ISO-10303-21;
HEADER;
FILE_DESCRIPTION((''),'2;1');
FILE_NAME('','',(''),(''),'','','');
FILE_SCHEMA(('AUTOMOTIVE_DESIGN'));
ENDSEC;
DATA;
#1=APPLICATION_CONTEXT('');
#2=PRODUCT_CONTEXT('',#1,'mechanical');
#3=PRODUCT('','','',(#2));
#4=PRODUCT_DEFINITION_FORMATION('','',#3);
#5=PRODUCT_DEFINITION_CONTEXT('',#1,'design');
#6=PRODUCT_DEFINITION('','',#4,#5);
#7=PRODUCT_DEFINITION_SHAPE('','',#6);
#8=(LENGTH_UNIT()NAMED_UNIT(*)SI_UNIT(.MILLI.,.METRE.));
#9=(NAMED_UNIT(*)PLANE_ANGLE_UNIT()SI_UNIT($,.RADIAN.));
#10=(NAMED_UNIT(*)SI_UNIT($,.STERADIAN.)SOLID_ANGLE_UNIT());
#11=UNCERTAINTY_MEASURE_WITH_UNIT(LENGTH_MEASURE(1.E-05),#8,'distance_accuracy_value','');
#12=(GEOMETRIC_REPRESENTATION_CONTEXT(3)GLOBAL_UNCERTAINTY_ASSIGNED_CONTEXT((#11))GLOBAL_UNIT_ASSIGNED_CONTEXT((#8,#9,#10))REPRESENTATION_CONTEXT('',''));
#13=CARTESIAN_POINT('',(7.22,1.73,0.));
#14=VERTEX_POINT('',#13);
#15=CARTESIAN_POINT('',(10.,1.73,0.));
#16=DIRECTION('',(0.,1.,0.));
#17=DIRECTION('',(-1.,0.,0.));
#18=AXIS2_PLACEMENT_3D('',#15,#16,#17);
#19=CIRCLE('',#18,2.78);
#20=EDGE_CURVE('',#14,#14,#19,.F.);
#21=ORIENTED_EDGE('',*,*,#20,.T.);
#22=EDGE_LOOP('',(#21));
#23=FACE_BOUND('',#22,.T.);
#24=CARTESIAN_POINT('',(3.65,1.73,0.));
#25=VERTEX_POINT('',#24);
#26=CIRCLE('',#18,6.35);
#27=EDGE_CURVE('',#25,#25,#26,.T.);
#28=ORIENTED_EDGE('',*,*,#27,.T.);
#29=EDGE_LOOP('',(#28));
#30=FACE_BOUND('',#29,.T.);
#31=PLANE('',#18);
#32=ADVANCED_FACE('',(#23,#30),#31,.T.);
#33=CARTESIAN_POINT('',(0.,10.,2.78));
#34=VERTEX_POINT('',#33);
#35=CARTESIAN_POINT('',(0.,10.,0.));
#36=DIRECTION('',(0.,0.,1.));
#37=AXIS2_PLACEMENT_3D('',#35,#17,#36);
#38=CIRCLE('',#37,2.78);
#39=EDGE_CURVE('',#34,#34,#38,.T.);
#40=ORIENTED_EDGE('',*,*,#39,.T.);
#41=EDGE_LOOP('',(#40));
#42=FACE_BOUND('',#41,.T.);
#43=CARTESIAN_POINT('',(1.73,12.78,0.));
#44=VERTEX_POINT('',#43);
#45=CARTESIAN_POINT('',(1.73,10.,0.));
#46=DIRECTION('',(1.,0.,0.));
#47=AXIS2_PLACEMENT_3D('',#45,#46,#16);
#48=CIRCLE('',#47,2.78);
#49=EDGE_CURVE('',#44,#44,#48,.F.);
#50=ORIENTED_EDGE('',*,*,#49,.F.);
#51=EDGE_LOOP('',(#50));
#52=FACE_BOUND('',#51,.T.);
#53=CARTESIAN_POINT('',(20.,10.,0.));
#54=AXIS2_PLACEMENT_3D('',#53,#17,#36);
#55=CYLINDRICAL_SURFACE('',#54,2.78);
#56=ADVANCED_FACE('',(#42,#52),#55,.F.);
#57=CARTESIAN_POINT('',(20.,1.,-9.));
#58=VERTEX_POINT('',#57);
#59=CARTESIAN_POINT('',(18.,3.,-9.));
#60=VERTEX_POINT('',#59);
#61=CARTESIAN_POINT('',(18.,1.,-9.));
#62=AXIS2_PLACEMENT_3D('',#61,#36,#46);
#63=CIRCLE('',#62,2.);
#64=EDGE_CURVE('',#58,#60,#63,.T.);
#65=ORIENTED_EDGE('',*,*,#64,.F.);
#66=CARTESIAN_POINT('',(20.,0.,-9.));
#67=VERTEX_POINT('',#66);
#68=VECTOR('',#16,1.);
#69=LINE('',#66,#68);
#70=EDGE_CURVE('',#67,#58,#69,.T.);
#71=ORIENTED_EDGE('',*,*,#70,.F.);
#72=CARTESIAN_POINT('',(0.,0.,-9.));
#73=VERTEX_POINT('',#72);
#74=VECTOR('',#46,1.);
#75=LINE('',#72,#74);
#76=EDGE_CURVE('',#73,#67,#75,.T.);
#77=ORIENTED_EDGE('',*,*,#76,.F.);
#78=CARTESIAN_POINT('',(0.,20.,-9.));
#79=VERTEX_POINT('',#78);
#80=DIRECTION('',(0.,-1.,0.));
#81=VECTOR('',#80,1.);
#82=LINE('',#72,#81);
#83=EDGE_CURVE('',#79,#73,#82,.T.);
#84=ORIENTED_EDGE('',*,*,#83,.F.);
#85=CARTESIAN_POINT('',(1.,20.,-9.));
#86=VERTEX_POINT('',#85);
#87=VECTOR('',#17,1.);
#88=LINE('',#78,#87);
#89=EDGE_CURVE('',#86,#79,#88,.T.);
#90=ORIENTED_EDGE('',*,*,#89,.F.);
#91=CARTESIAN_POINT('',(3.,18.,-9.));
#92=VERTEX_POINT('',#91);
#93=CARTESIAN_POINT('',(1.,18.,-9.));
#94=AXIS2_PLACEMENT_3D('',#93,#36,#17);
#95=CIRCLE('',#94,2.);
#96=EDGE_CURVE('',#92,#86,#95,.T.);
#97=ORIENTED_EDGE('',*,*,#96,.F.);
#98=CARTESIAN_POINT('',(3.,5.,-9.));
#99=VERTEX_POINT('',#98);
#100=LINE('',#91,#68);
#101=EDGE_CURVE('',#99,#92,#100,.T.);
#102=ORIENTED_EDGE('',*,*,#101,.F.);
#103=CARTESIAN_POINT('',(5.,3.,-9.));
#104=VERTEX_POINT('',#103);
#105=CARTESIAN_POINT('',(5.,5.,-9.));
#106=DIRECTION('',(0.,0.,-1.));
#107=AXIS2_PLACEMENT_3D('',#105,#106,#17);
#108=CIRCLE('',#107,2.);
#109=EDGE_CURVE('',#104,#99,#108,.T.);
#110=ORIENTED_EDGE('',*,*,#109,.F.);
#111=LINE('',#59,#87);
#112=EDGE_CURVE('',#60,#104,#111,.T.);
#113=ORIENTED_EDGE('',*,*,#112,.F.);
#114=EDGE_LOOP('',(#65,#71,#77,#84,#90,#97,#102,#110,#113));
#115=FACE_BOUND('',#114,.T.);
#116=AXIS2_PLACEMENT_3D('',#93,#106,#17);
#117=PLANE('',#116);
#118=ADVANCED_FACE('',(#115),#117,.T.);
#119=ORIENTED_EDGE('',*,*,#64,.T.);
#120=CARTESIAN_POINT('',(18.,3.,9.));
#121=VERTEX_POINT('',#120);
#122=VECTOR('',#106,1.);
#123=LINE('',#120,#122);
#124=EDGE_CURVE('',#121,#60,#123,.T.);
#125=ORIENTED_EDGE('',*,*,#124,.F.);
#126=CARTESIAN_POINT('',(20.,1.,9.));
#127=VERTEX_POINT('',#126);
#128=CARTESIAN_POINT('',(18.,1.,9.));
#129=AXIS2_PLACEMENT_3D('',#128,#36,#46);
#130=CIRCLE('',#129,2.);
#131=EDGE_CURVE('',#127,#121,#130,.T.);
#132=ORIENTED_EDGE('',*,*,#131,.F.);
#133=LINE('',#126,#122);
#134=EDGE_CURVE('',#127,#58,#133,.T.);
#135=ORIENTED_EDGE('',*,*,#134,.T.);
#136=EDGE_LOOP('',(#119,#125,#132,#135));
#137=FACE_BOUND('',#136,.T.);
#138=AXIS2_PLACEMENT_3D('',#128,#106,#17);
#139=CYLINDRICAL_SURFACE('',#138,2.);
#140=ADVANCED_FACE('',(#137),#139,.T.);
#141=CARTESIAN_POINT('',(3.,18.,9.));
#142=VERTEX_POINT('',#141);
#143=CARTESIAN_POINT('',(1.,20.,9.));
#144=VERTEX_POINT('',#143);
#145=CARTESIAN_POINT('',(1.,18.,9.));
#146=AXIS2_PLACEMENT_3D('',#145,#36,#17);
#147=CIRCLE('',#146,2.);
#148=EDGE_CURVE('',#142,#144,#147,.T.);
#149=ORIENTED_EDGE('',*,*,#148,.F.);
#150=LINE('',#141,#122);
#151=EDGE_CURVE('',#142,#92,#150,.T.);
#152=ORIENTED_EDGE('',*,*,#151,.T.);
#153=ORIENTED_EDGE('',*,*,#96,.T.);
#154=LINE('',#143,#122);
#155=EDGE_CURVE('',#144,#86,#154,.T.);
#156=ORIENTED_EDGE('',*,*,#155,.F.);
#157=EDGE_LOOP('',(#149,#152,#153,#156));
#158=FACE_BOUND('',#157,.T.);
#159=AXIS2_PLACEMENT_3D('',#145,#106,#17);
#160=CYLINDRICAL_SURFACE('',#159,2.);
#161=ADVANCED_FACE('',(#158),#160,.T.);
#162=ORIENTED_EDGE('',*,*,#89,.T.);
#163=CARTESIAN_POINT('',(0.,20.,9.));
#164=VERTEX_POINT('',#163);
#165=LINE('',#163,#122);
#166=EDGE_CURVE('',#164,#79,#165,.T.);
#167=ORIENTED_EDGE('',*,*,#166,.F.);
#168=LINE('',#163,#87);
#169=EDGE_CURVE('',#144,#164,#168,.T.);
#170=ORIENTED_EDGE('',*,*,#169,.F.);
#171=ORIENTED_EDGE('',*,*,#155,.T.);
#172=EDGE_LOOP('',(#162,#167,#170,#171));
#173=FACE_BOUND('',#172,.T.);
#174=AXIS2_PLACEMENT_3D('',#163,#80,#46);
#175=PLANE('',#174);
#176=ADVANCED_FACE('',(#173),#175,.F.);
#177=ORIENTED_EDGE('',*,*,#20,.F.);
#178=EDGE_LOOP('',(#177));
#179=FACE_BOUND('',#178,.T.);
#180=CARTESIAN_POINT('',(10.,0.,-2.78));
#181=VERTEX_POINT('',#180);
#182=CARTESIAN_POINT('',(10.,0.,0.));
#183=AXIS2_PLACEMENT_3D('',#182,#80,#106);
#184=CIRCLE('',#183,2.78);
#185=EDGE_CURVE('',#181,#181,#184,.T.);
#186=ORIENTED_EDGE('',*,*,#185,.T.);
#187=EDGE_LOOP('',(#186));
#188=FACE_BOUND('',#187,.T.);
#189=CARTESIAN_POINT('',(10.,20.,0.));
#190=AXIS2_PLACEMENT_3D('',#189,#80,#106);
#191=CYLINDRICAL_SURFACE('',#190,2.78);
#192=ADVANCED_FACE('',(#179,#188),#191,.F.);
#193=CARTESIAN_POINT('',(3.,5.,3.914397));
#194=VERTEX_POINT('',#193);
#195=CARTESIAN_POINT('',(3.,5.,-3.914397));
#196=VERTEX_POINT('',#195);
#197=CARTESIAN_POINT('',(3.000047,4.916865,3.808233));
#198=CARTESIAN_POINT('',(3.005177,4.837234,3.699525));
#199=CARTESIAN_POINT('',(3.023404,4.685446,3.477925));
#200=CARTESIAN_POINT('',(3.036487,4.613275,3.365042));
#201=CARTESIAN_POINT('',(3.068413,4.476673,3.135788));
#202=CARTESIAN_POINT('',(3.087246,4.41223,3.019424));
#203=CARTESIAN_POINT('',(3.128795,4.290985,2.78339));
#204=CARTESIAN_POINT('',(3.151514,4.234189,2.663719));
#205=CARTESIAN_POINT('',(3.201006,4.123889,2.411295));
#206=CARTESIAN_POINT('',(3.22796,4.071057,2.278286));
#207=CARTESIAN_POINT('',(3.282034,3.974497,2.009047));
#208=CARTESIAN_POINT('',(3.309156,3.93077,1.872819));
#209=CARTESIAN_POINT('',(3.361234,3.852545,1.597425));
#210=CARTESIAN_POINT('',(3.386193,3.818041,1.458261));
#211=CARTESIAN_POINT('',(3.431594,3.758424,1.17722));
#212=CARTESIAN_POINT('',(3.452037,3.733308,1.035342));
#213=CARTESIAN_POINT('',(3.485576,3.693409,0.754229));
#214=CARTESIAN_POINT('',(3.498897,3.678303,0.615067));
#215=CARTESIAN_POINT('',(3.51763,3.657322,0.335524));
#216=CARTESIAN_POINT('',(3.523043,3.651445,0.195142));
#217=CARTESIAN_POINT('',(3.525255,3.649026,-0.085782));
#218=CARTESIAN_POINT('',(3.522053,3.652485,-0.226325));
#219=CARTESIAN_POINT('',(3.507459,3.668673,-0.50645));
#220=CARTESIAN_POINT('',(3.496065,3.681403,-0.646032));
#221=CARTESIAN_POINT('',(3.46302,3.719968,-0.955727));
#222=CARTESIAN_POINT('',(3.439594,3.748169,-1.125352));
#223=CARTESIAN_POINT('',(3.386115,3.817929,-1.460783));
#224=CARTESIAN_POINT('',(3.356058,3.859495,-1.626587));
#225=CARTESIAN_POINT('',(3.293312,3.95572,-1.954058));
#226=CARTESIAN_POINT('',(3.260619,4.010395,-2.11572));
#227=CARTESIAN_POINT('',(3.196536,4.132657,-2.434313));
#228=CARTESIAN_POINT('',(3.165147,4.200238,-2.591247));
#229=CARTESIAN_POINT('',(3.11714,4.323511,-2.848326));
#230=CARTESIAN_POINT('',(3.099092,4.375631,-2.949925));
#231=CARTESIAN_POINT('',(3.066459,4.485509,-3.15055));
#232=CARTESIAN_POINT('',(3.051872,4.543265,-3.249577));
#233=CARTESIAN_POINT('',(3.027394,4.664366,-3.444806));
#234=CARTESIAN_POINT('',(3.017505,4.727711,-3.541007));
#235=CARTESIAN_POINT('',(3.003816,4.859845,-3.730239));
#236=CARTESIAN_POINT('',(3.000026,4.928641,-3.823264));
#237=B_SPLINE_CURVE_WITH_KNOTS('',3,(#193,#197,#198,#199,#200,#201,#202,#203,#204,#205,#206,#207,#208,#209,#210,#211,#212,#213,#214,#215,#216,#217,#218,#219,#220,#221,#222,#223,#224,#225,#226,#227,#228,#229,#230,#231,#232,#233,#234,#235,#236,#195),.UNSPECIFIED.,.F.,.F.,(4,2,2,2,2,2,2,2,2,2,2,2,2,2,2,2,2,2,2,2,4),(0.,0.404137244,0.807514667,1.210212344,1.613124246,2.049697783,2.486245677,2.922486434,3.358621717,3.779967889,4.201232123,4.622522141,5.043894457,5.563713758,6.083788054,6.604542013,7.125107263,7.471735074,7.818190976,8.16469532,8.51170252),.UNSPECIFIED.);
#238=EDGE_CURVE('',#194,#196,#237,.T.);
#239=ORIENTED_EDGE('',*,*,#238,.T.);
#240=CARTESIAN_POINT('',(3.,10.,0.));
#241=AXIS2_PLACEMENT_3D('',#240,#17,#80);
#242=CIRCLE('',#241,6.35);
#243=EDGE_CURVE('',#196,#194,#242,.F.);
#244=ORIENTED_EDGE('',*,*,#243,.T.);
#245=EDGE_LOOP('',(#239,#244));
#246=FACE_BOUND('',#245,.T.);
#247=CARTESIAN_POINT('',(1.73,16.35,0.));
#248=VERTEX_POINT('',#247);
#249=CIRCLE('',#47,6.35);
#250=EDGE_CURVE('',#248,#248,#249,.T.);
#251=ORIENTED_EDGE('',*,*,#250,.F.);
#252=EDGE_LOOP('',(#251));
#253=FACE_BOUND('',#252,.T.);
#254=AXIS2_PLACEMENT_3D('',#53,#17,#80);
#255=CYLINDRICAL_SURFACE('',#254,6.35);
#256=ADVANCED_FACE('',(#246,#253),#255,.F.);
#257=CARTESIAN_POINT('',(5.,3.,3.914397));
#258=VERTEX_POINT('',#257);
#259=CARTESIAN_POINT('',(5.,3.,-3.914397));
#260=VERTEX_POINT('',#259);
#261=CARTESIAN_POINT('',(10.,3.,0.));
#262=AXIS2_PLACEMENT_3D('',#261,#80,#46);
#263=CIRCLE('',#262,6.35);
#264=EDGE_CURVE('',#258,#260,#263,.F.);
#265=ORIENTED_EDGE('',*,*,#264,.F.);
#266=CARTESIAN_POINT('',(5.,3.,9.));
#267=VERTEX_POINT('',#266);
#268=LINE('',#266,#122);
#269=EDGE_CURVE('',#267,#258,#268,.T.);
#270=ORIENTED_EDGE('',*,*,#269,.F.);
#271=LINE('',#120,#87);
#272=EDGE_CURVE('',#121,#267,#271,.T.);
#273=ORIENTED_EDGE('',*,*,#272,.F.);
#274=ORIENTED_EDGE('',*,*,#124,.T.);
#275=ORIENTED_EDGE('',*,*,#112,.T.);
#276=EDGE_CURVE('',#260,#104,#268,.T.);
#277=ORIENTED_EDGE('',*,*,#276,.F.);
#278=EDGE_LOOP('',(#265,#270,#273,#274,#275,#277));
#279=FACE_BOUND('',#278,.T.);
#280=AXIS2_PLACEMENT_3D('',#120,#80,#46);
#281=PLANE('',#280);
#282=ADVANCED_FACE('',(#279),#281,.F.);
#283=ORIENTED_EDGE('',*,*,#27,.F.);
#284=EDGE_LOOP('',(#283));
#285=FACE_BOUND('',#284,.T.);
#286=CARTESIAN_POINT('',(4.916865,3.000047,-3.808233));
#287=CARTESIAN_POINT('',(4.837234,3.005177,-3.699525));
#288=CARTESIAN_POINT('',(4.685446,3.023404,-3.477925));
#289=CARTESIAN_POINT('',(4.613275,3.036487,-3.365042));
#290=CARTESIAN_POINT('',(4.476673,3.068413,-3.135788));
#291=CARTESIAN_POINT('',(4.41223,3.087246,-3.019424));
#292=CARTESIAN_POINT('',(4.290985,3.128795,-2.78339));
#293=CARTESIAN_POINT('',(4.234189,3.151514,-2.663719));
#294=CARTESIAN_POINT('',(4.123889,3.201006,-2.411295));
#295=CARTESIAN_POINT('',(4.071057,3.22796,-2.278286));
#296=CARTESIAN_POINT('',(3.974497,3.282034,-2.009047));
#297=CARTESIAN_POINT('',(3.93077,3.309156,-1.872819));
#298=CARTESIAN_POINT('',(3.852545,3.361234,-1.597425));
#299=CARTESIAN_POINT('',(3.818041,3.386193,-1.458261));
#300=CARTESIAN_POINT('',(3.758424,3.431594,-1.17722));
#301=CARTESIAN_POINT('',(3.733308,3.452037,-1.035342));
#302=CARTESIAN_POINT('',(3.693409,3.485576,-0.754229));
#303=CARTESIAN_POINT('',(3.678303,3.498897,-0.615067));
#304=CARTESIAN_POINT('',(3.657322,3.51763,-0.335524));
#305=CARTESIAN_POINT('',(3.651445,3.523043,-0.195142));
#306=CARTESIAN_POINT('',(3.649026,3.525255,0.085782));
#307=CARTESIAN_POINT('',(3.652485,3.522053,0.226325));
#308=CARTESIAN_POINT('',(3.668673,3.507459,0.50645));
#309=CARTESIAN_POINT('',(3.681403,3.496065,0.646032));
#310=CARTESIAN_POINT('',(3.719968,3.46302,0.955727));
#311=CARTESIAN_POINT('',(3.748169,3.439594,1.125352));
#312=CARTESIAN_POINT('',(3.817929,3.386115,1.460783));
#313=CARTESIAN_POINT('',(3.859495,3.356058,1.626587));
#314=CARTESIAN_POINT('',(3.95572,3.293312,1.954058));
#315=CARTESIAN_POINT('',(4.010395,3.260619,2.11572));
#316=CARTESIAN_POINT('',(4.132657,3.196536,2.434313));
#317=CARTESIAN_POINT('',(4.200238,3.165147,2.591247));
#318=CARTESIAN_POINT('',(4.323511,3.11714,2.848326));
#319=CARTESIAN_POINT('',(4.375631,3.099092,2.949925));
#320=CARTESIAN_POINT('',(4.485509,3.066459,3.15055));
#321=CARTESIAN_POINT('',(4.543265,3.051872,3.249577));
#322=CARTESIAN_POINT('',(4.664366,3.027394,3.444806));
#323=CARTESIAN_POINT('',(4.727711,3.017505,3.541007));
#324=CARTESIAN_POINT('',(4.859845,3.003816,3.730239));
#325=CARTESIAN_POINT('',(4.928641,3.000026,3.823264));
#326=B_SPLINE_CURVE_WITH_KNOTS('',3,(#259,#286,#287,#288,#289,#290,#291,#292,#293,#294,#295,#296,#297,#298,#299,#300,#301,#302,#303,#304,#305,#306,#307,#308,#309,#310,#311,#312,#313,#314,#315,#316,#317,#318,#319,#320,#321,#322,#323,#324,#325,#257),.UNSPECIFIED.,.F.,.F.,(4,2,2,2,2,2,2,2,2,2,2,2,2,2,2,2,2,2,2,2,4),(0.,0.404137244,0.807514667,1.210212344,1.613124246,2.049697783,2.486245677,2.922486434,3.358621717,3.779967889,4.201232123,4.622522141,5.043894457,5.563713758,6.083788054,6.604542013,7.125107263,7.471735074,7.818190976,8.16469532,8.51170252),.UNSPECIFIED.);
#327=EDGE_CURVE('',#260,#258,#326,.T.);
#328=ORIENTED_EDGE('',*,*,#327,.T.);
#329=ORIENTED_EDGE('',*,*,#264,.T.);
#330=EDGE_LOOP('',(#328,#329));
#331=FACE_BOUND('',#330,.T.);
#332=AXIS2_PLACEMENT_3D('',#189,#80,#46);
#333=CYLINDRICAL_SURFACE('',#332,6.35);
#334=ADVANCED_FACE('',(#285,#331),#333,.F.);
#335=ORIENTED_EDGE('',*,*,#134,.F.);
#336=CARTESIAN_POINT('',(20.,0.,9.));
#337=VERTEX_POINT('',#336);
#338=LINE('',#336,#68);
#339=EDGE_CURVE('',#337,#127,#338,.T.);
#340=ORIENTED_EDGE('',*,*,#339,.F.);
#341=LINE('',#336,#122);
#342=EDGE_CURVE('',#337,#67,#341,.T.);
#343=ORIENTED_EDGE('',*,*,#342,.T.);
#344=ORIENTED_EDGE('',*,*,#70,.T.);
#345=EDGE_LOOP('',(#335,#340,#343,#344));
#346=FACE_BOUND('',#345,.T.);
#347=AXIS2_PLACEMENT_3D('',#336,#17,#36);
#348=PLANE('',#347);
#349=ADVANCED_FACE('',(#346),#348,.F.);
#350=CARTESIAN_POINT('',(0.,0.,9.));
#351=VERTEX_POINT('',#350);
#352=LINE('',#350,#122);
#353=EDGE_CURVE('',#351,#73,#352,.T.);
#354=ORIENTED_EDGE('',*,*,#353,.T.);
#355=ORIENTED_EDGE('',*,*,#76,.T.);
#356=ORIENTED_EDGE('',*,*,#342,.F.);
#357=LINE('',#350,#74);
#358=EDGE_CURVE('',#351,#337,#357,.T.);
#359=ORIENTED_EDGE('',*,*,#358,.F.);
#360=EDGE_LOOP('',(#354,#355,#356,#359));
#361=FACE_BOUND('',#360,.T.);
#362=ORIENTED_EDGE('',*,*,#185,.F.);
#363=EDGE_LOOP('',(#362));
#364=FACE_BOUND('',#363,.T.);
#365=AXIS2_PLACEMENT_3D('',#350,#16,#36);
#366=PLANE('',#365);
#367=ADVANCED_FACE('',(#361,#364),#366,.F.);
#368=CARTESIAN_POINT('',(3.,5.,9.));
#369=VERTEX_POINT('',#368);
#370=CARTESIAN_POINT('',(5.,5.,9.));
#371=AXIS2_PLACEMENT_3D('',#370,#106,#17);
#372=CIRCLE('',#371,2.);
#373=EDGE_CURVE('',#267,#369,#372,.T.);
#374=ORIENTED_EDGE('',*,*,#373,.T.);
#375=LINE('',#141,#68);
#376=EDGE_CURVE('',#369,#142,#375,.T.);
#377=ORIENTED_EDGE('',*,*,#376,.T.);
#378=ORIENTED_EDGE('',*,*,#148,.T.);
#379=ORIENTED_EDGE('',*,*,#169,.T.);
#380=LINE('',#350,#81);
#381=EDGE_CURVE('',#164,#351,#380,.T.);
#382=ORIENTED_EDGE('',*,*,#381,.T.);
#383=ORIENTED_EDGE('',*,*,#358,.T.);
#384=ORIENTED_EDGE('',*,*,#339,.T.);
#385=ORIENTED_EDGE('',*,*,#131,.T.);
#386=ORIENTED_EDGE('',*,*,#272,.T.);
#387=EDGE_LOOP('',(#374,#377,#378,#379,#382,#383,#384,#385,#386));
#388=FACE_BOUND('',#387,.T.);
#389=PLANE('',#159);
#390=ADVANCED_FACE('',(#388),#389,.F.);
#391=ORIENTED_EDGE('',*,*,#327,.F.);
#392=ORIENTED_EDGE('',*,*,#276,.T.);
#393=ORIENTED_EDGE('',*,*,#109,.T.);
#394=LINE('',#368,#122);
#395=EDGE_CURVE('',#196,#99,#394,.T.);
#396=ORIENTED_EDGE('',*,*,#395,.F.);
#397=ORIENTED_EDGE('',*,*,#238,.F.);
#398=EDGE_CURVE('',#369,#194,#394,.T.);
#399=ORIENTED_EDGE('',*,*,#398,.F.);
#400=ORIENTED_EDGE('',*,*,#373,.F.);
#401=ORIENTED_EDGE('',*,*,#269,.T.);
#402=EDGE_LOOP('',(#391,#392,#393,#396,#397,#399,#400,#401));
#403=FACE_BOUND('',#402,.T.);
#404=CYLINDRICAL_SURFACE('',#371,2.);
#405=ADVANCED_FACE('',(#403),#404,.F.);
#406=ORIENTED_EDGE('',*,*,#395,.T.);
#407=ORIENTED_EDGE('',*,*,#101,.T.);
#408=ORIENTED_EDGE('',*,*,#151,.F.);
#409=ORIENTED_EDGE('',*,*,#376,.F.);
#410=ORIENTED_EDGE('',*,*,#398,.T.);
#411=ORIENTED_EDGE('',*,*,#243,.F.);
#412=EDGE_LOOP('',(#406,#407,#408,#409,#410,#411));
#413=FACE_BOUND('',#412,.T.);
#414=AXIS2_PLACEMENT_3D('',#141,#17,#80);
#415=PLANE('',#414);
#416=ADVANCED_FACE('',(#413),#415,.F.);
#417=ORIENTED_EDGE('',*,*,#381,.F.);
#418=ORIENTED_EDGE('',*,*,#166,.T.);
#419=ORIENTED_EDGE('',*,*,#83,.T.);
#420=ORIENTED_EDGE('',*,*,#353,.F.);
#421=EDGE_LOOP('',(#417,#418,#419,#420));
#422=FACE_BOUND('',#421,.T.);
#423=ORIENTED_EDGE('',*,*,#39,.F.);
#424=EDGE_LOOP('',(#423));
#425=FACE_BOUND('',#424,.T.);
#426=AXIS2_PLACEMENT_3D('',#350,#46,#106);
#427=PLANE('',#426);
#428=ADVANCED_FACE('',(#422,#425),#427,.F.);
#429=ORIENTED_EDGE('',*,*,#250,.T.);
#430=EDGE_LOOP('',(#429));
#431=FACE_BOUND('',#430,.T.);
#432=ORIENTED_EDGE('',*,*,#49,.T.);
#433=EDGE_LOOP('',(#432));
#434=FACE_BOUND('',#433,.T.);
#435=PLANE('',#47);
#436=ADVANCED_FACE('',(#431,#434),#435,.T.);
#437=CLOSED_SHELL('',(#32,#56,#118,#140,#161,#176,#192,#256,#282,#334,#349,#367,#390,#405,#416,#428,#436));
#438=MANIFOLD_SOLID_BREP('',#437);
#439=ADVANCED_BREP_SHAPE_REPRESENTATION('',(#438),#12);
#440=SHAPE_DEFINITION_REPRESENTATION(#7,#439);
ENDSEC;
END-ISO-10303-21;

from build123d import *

# Parameters (mm, degrees)
BOSS_EXTRUDE1_DEPTH     = 9
SKETCH2_R               = 2.78
CUT_EXTRUDE1_DEPTH      = 21
SKETCH3_R               = 2.78
CUT_EXTRUDE2_DEPTH      = 21
SKETCH6_R               = 6.35
CUT_EXTRUDE3_DEPTH      = 18
CUT_EXTRUDE3_DEPTH_BACK = 1.27
SKETCH7_R               = 6.35
CUT_EXTRUDE4_DEPTH      = 18
CUT_EXTRUDE4_DEPTH_BACK = 1.27


with BuildPart() as part:
    # Sketch1 → Boss-Extrude1 (new body, symmetric)
    with BuildSketch(Plane.XY):
        with BuildLine():
            Line((0, 0), (20, 0))
            Line((20, 0), (20, 1))
            ThreePointArc((20, 1), (19.414213562, 2.414213562), (18, 3))
            Line((18, 3), (5, 3))
            ThreePointArc((5, 3), (3.585786438, 3.585786438), (3, 5))
            Line((3, 5), (3, 18))
            ThreePointArc((3, 18), (2.414213562, 19.414213562), (1, 20))
            Line((1, 20), (0, 20))
            Line((0, 20), (0, 0))
        make_face()
    extrude(amount=BOSS_EXTRUDE1_DEPTH, both=True)

    # Sketch2 → Cut-Extrude1 (cut, through all)
    with BuildSketch(Plane(origin=(0, 0, 0), x_dir=(-1, 0, 0), z_dir=(0, -1, 0))):
        with Locations((-10, 0)):
            Circle(SKETCH2_R)
    extrude(amount=-CUT_EXTRUDE1_DEPTH, mode=Mode.SUBTRACT)

    # Sketch3 → Cut-Extrude2 (cut, through all)
    with BuildSketch(Plane.ZY):
        with Locations((0, 10)):
            Circle(SKETCH3_R)
    extrude(amount=-CUT_EXTRUDE2_DEPTH, mode=Mode.SUBTRACT)

    # Sketch6 → Cut-Extrude3 (cut, two sides)
    with BuildSketch(Plane(origin=(3, 0, 0), x_dir=(0, 0, -1), z_dir=(1, 0, 0))) as cut_extrude3_sk:
        with Locations((0, 10)):
            Circle(SKETCH6_R)
    extrude(amount=CUT_EXTRUDE3_DEPTH, mode=Mode.SUBTRACT)
    extrude(cut_extrude3_sk.sketch, amount=-CUT_EXTRUDE3_DEPTH_BACK, mode=Mode.SUBTRACT)

    # Sketch7 → Cut-Extrude4 (cut, two sides)
    with BuildSketch(Plane(origin=(0, 3, 0), x_dir=(1, 0, 0), z_dir=(0, 1, 0))) as cut_extrude4_sk:
        with Locations((10, 0)):
            Circle(SKETCH7_R)
    extrude(amount=CUT_EXTRUDE4_DEPTH, mode=Mode.SUBTRACT)
    extrude(cut_extrude4_sk.sketch, amount=-CUT_EXTRUDE4_DEPTH_BACK, mode=Mode.SUBTRACT)


solid = part.part
